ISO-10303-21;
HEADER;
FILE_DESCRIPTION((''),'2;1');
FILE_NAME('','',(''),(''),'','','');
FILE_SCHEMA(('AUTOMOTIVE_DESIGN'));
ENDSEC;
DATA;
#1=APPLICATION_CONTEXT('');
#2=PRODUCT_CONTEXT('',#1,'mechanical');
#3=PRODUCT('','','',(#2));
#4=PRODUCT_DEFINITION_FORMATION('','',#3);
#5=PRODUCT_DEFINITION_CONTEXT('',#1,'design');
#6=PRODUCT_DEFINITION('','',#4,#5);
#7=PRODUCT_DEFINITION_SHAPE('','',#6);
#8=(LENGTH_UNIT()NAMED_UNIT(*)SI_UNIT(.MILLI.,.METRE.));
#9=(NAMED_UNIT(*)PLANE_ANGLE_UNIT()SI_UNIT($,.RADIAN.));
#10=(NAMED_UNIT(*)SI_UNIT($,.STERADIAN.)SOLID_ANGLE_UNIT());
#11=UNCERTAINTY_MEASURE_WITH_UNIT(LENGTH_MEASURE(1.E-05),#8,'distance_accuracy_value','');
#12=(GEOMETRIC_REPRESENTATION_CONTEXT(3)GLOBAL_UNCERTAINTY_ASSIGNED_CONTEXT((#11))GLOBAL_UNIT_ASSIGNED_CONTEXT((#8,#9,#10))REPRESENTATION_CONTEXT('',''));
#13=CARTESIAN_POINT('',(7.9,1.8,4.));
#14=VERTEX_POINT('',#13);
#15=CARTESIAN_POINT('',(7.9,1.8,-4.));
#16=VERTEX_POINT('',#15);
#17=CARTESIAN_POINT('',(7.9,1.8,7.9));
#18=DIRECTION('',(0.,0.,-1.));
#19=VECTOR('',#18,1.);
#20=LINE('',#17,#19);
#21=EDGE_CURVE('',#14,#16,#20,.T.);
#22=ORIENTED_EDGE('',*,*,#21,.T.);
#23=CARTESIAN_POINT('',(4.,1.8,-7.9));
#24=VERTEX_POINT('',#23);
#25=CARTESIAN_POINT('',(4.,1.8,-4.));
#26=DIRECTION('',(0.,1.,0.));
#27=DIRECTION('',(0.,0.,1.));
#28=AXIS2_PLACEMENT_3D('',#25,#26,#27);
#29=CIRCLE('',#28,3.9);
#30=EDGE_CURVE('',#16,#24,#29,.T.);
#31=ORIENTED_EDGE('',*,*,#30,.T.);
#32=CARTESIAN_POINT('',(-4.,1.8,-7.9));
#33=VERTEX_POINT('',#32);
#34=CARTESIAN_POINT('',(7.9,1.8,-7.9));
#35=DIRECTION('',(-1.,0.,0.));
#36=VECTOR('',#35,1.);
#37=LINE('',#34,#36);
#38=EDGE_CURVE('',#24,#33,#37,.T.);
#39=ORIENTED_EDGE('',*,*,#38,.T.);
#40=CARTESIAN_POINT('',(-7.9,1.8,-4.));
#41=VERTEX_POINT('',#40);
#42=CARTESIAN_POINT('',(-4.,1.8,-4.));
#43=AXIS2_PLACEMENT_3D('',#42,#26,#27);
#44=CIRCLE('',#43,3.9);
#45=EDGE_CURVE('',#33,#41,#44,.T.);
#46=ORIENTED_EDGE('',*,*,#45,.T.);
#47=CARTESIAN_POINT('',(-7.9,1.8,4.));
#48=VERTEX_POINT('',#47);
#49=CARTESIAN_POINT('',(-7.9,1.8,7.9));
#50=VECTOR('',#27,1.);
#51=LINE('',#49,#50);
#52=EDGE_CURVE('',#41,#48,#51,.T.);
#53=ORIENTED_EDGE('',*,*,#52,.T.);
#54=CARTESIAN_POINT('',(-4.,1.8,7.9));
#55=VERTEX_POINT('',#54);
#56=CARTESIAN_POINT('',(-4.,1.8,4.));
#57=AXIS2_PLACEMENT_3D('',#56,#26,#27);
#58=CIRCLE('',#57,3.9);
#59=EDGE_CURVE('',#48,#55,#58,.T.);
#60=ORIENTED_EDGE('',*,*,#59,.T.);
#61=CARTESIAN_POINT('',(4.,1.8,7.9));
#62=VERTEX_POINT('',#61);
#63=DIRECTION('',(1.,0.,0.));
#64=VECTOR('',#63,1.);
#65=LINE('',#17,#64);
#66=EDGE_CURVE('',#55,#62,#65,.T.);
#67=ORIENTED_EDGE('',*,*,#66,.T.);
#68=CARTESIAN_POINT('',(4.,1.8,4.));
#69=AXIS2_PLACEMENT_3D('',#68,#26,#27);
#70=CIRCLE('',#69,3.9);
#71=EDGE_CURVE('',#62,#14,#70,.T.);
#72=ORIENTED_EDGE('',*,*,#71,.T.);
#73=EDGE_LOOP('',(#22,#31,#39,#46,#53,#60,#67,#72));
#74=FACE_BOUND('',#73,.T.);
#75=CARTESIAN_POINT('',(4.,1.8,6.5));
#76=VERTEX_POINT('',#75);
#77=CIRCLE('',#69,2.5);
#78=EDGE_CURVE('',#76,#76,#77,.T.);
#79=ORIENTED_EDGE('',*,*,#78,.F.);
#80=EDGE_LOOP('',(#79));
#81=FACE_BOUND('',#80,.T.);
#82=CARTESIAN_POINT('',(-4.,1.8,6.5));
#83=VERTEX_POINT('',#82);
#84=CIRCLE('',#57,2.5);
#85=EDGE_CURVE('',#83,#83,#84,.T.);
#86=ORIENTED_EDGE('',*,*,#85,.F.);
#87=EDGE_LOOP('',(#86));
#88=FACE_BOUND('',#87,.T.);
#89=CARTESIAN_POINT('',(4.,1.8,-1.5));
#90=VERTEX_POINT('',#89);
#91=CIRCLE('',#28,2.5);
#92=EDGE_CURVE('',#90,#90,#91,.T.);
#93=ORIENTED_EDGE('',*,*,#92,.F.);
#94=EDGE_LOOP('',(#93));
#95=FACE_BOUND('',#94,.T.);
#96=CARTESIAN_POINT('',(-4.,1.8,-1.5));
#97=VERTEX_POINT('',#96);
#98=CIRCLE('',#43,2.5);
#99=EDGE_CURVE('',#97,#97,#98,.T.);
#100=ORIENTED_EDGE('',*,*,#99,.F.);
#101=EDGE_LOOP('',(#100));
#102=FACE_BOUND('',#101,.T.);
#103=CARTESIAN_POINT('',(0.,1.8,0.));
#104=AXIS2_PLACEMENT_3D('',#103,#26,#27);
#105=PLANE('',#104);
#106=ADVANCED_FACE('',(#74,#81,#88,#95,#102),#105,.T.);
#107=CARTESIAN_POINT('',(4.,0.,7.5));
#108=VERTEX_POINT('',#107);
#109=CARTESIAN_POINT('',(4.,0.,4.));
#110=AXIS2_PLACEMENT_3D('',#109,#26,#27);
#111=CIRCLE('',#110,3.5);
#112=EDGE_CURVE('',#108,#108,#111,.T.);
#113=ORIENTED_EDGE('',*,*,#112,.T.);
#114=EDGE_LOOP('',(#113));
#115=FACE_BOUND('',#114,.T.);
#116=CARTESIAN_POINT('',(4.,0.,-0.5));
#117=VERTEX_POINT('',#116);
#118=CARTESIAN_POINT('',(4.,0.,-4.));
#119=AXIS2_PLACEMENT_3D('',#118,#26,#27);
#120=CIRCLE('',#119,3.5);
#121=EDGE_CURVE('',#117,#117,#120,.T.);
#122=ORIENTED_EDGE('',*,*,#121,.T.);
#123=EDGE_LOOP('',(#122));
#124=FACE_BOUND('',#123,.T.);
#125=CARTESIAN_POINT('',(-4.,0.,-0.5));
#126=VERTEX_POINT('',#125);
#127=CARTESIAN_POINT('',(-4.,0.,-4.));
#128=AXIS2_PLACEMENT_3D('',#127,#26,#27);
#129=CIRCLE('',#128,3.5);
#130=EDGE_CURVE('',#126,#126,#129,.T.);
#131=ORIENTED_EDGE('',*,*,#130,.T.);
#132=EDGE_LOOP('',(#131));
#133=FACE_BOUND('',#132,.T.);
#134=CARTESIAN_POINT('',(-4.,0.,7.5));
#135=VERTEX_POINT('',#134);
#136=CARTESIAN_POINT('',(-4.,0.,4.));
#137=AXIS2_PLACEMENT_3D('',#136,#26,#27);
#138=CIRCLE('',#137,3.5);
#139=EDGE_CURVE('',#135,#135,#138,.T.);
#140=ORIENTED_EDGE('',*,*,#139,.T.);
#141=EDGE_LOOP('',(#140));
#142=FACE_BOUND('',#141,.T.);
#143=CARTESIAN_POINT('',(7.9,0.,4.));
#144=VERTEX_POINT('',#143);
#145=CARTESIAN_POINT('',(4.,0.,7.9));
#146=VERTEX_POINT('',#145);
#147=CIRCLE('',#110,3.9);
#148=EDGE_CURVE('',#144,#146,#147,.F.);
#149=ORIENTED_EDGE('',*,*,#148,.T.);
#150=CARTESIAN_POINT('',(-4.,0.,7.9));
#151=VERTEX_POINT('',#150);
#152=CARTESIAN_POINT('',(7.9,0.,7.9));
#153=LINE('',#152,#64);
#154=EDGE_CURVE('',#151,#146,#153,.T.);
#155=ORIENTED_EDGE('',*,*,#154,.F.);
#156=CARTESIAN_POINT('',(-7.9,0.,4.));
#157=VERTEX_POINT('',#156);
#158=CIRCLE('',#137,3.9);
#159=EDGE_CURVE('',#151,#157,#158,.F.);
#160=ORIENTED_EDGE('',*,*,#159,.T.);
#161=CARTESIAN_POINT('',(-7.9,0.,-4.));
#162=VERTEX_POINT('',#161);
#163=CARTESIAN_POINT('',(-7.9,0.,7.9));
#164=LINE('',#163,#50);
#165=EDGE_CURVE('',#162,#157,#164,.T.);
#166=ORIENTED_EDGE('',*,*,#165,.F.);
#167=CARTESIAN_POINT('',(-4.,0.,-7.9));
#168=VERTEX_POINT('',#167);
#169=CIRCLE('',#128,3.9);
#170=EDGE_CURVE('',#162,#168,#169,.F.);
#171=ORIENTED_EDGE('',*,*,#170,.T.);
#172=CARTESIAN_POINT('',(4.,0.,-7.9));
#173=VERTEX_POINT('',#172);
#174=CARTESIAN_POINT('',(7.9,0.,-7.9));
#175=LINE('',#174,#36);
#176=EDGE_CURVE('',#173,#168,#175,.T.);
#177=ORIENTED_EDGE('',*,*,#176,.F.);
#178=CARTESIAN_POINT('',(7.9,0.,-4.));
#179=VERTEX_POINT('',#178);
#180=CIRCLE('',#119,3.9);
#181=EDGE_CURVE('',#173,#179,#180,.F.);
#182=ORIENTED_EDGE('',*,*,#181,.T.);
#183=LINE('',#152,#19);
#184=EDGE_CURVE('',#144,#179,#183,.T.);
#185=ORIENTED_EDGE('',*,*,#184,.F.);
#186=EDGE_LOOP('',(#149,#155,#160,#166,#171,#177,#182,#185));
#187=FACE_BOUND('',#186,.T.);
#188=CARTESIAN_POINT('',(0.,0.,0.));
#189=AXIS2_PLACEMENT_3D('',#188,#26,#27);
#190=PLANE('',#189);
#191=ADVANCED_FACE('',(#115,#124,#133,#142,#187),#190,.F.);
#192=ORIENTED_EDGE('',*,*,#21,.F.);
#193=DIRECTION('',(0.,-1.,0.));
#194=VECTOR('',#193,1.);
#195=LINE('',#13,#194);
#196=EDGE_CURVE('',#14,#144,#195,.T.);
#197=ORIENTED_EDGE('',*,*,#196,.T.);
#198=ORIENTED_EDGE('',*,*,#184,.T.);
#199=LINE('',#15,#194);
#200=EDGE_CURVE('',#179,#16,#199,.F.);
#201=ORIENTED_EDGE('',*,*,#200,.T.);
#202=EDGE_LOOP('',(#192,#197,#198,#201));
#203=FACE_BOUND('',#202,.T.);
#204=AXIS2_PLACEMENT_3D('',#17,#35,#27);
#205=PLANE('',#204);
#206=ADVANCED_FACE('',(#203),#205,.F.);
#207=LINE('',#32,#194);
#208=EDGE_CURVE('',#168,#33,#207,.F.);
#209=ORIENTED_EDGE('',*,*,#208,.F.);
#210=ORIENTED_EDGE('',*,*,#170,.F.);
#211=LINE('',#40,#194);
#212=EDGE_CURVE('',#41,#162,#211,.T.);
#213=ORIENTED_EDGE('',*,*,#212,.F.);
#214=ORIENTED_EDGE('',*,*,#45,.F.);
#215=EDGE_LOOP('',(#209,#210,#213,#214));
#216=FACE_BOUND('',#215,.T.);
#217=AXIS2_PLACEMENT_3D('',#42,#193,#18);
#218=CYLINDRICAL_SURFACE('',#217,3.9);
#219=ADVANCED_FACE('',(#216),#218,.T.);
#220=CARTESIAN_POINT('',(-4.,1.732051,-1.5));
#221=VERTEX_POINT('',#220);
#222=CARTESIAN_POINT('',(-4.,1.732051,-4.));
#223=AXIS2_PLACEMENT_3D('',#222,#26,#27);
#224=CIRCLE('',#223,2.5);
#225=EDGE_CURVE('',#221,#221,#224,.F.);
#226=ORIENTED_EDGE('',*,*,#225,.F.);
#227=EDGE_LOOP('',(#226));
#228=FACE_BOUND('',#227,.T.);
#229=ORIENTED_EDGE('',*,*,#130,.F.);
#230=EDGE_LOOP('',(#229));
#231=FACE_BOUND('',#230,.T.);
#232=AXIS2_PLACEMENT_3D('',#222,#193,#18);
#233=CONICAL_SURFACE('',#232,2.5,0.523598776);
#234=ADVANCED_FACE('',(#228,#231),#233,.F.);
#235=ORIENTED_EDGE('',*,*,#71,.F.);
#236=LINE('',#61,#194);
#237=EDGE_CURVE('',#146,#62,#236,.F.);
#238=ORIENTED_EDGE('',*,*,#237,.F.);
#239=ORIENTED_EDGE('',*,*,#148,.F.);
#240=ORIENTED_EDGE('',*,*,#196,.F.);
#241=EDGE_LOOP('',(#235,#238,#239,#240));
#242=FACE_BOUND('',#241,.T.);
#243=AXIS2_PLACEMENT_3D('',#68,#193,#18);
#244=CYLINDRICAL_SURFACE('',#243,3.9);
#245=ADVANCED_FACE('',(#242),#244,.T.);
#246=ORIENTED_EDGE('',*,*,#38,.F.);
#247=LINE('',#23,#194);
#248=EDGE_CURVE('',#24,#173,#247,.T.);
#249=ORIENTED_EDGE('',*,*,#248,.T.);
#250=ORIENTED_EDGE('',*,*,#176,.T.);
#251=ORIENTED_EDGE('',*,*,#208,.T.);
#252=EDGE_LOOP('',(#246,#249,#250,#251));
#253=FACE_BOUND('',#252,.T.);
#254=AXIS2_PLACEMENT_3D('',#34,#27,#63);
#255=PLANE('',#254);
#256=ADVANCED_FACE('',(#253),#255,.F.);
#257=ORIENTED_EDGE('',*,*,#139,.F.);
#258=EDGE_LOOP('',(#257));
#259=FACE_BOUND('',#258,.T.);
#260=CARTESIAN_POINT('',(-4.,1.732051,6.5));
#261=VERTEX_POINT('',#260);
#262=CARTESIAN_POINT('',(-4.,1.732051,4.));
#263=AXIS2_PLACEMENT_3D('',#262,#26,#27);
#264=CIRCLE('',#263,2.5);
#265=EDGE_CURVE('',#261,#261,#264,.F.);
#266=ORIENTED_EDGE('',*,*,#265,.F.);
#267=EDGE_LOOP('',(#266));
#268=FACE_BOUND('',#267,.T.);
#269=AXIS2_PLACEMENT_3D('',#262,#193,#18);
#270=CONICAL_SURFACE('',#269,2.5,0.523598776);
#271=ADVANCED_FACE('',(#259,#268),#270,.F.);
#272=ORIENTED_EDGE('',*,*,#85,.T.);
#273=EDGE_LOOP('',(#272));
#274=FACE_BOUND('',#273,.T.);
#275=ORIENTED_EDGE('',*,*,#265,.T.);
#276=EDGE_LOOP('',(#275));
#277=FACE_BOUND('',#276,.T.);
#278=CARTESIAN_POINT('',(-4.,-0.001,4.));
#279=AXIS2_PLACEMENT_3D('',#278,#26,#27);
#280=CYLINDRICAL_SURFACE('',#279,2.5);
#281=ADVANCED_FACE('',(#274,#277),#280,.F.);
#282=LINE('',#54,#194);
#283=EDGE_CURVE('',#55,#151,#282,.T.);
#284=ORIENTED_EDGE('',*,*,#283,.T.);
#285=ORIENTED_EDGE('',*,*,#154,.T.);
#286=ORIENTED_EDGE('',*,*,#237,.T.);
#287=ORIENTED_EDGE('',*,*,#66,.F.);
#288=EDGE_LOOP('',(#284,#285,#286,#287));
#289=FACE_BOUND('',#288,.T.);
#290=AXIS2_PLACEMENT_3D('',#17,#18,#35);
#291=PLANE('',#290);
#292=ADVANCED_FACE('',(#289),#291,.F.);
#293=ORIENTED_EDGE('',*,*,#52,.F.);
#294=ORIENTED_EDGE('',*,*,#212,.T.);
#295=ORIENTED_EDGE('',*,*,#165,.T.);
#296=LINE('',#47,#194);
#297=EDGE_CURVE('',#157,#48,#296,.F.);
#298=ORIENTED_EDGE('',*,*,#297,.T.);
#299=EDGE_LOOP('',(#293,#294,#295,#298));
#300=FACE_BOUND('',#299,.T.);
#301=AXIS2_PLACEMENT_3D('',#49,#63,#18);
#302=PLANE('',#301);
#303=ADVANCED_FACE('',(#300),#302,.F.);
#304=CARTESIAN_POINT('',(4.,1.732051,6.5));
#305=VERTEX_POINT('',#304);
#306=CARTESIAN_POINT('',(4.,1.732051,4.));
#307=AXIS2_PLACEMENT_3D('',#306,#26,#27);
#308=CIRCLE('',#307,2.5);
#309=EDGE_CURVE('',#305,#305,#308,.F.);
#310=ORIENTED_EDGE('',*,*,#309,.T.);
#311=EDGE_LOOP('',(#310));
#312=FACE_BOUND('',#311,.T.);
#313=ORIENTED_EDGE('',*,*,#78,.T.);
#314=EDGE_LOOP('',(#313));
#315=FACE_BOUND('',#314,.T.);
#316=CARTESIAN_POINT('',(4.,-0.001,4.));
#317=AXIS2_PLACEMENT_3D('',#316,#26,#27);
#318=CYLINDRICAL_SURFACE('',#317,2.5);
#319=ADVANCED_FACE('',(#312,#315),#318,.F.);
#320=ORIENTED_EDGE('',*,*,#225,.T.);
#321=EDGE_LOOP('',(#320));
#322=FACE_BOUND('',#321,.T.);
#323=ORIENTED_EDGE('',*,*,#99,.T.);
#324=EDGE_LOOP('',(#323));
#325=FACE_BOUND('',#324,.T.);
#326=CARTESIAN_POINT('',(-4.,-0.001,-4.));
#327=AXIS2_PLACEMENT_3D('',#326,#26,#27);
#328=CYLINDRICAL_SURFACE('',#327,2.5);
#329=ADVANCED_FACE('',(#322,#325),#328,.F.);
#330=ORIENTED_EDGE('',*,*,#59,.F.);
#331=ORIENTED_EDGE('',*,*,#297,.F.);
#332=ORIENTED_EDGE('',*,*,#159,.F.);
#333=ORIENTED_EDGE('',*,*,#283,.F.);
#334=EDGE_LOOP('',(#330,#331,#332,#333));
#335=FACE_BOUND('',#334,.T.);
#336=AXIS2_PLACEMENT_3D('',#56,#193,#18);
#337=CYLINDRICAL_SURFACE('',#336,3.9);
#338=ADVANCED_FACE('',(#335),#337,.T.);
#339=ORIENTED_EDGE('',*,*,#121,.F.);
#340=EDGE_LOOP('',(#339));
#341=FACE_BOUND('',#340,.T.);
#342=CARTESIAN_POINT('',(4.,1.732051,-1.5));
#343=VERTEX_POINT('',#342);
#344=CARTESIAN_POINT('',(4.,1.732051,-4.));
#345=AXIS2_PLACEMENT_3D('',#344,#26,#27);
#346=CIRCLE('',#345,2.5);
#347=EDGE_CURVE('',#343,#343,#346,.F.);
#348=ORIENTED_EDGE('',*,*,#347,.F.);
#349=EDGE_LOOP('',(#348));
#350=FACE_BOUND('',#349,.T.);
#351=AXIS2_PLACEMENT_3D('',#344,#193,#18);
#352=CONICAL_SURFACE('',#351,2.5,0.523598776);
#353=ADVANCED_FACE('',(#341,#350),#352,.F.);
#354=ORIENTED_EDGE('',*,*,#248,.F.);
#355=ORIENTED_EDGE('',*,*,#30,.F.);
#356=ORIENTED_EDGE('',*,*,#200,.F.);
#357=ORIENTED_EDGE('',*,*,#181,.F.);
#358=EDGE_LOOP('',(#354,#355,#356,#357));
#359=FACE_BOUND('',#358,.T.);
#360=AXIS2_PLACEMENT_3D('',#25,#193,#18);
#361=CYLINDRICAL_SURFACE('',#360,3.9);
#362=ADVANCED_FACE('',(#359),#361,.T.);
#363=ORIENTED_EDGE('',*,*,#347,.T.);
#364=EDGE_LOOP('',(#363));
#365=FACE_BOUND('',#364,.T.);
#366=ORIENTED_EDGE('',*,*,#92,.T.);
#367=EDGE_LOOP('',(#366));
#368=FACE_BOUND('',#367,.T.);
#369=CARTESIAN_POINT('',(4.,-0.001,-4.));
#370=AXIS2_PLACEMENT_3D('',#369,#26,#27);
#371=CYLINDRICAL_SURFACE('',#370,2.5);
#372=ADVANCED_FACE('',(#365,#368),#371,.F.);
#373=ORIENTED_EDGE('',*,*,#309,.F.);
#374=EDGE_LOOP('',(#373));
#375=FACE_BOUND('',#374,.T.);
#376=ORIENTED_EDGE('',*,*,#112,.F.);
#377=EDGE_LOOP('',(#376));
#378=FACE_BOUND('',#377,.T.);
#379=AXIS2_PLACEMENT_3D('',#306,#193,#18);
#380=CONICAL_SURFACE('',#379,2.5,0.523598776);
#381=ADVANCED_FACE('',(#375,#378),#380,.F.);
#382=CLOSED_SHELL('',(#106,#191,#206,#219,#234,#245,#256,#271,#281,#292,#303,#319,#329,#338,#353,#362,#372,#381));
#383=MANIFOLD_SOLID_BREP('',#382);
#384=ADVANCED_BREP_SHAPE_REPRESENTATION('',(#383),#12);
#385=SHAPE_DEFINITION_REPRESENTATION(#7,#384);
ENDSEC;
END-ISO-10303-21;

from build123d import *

# Parameters (mm, degrees)
SKETCH1_W           = 15.8
SKETCH1_H           = 15.8
BOSS_EXTRUDE1_DEPTH = 1.8
CUT_EXTRUDE1_REACH  = 13.316
SKETCH2_R           = 2.5
FILLET1_R           = 3.9
CHAMFER1_SIZE       = 1
CHAMFER1_SIZE2      = 1.732050808


with BuildPart() as part:
    # Sketch1 → Boss-Extrude1 (new body)
    with BuildSketch(Plane(origin=(0, 0, 0), x_dir=(1, 0, 0), z_dir=(0, 1, 0))):
        Rectangle(SKETCH1_W, SKETCH1_H)
    extrude(amount=BOSS_EXTRUDE1_DEPTH)

    # Sketch2 → Cut-Extrude1 (cut, up to next)
    with BuildSketch(Plane(origin=(0, 1.8, 0), x_dir=(1, 0, 0), z_dir=(0, 1, 0)), mode=Mode.PRIVATE) as cut_extrude1_sk1:
        with Locations(Location((-4, 4, 0), (0, 0, 270))):
            Circle(SKETCH2_R)
    cut_extrude1_tool1 = extrude(cut_extrude1_sk1.sketch, amount=-CUT_EXTRUDE1_REACH, mode=Mode.PRIVATE) & part.part
    # Sketch2 → Cut-Extrude1 (cut, up to next)
    with BuildSketch(Plane(origin=(0, 1.8, 0), x_dir=(1, 0, 0), z_dir=(0, 1, 0)), mode=Mode.PRIVATE) as cut_extrude1_sk2:
        with Locations(Location((4, 4, 0), (0, 0, 270))):
            Circle(SKETCH2_R)
    cut_extrude1_tool2 = extrude(cut_extrude1_sk2.sketch, amount=-CUT_EXTRUDE1_REACH, mode=Mode.PRIVATE) & part.part
    # Sketch2 → Cut-Extrude1 (cut, up to next)
    with BuildSketch(Plane(origin=(0, 1.8, 0), x_dir=(1, 0, 0), z_dir=(0, 1, 0)), mode=Mode.PRIVATE) as cut_extrude1_sk3:
        with Locations(Location((4, -4, 0), (0, 0, 270))):
            Circle(SKETCH2_R)
    cut_extrude1_tool3 = extrude(cut_extrude1_sk3.sketch, amount=-CUT_EXTRUDE1_REACH, mode=Mode.PRIVATE) & part.part
    # Sketch2 → Cut-Extrude1 (cut, up to next)
    with BuildSketch(Plane(origin=(0, 1.8, 0), x_dir=(1, 0, 0), z_dir=(0, 1, 0)), mode=Mode.PRIVATE) as cut_extrude1_sk4:
        with Locations(Location((-4, -4, 0), (0, 0, 270))):
            Circle(SKETCH2_R)
    cut_extrude1_tool4 = extrude(cut_extrude1_sk4.sketch, amount=-CUT_EXTRUDE1_REACH, mode=Mode.PRIVATE) & part.part
    add(cut_extrude1_tool1.solids().sort_by_distance((-4, 1.8, -4))[0], mode=Mode.SUBTRACT)
    add(cut_extrude1_tool2.solids().sort_by_distance((4, 1.8, -4))[0], mode=Mode.SUBTRACT)
    add(cut_extrude1_tool3.solids().sort_by_distance((4, 1.8, 4))[0], mode=Mode.SUBTRACT)
    add(cut_extrude1_tool4.solids().sort_by_distance((-4, 1.8, 4))[0], mode=Mode.SUBTRACT)

    # Fillet1
    fillet1_edges = [part.edges().sort_by_distance(p)[0] for p in [
        (-7.9, 0.9, -7.9),
        (7.9, 0.9, -7.9),
        (7.9, 0.9, 7.9),
        (-7.9, 0.9, 7.9),
    ]]
    fillet(fillet1_edges, radius=FILLET1_R)

    # Chamfer1
    chamfer1_edges = [part.edges().sort_by_distance(p)[0] for p in [
        (-4, 0, 1.5),
        (4, 0, 1.5),
        (4, 0, -6.5),
        (-4, 0, -6.5),
    ]]
    chamfer1_side = [part.faces().sort_by_distance(p)[0] for p in [
        (0, 0, 0),
    ]]
    chamfer(chamfer1_edges, length=CHAMFER1_SIZE, length2=CHAMFER1_SIZE2, reference=chamfer1_side[0])


solid = part.part
